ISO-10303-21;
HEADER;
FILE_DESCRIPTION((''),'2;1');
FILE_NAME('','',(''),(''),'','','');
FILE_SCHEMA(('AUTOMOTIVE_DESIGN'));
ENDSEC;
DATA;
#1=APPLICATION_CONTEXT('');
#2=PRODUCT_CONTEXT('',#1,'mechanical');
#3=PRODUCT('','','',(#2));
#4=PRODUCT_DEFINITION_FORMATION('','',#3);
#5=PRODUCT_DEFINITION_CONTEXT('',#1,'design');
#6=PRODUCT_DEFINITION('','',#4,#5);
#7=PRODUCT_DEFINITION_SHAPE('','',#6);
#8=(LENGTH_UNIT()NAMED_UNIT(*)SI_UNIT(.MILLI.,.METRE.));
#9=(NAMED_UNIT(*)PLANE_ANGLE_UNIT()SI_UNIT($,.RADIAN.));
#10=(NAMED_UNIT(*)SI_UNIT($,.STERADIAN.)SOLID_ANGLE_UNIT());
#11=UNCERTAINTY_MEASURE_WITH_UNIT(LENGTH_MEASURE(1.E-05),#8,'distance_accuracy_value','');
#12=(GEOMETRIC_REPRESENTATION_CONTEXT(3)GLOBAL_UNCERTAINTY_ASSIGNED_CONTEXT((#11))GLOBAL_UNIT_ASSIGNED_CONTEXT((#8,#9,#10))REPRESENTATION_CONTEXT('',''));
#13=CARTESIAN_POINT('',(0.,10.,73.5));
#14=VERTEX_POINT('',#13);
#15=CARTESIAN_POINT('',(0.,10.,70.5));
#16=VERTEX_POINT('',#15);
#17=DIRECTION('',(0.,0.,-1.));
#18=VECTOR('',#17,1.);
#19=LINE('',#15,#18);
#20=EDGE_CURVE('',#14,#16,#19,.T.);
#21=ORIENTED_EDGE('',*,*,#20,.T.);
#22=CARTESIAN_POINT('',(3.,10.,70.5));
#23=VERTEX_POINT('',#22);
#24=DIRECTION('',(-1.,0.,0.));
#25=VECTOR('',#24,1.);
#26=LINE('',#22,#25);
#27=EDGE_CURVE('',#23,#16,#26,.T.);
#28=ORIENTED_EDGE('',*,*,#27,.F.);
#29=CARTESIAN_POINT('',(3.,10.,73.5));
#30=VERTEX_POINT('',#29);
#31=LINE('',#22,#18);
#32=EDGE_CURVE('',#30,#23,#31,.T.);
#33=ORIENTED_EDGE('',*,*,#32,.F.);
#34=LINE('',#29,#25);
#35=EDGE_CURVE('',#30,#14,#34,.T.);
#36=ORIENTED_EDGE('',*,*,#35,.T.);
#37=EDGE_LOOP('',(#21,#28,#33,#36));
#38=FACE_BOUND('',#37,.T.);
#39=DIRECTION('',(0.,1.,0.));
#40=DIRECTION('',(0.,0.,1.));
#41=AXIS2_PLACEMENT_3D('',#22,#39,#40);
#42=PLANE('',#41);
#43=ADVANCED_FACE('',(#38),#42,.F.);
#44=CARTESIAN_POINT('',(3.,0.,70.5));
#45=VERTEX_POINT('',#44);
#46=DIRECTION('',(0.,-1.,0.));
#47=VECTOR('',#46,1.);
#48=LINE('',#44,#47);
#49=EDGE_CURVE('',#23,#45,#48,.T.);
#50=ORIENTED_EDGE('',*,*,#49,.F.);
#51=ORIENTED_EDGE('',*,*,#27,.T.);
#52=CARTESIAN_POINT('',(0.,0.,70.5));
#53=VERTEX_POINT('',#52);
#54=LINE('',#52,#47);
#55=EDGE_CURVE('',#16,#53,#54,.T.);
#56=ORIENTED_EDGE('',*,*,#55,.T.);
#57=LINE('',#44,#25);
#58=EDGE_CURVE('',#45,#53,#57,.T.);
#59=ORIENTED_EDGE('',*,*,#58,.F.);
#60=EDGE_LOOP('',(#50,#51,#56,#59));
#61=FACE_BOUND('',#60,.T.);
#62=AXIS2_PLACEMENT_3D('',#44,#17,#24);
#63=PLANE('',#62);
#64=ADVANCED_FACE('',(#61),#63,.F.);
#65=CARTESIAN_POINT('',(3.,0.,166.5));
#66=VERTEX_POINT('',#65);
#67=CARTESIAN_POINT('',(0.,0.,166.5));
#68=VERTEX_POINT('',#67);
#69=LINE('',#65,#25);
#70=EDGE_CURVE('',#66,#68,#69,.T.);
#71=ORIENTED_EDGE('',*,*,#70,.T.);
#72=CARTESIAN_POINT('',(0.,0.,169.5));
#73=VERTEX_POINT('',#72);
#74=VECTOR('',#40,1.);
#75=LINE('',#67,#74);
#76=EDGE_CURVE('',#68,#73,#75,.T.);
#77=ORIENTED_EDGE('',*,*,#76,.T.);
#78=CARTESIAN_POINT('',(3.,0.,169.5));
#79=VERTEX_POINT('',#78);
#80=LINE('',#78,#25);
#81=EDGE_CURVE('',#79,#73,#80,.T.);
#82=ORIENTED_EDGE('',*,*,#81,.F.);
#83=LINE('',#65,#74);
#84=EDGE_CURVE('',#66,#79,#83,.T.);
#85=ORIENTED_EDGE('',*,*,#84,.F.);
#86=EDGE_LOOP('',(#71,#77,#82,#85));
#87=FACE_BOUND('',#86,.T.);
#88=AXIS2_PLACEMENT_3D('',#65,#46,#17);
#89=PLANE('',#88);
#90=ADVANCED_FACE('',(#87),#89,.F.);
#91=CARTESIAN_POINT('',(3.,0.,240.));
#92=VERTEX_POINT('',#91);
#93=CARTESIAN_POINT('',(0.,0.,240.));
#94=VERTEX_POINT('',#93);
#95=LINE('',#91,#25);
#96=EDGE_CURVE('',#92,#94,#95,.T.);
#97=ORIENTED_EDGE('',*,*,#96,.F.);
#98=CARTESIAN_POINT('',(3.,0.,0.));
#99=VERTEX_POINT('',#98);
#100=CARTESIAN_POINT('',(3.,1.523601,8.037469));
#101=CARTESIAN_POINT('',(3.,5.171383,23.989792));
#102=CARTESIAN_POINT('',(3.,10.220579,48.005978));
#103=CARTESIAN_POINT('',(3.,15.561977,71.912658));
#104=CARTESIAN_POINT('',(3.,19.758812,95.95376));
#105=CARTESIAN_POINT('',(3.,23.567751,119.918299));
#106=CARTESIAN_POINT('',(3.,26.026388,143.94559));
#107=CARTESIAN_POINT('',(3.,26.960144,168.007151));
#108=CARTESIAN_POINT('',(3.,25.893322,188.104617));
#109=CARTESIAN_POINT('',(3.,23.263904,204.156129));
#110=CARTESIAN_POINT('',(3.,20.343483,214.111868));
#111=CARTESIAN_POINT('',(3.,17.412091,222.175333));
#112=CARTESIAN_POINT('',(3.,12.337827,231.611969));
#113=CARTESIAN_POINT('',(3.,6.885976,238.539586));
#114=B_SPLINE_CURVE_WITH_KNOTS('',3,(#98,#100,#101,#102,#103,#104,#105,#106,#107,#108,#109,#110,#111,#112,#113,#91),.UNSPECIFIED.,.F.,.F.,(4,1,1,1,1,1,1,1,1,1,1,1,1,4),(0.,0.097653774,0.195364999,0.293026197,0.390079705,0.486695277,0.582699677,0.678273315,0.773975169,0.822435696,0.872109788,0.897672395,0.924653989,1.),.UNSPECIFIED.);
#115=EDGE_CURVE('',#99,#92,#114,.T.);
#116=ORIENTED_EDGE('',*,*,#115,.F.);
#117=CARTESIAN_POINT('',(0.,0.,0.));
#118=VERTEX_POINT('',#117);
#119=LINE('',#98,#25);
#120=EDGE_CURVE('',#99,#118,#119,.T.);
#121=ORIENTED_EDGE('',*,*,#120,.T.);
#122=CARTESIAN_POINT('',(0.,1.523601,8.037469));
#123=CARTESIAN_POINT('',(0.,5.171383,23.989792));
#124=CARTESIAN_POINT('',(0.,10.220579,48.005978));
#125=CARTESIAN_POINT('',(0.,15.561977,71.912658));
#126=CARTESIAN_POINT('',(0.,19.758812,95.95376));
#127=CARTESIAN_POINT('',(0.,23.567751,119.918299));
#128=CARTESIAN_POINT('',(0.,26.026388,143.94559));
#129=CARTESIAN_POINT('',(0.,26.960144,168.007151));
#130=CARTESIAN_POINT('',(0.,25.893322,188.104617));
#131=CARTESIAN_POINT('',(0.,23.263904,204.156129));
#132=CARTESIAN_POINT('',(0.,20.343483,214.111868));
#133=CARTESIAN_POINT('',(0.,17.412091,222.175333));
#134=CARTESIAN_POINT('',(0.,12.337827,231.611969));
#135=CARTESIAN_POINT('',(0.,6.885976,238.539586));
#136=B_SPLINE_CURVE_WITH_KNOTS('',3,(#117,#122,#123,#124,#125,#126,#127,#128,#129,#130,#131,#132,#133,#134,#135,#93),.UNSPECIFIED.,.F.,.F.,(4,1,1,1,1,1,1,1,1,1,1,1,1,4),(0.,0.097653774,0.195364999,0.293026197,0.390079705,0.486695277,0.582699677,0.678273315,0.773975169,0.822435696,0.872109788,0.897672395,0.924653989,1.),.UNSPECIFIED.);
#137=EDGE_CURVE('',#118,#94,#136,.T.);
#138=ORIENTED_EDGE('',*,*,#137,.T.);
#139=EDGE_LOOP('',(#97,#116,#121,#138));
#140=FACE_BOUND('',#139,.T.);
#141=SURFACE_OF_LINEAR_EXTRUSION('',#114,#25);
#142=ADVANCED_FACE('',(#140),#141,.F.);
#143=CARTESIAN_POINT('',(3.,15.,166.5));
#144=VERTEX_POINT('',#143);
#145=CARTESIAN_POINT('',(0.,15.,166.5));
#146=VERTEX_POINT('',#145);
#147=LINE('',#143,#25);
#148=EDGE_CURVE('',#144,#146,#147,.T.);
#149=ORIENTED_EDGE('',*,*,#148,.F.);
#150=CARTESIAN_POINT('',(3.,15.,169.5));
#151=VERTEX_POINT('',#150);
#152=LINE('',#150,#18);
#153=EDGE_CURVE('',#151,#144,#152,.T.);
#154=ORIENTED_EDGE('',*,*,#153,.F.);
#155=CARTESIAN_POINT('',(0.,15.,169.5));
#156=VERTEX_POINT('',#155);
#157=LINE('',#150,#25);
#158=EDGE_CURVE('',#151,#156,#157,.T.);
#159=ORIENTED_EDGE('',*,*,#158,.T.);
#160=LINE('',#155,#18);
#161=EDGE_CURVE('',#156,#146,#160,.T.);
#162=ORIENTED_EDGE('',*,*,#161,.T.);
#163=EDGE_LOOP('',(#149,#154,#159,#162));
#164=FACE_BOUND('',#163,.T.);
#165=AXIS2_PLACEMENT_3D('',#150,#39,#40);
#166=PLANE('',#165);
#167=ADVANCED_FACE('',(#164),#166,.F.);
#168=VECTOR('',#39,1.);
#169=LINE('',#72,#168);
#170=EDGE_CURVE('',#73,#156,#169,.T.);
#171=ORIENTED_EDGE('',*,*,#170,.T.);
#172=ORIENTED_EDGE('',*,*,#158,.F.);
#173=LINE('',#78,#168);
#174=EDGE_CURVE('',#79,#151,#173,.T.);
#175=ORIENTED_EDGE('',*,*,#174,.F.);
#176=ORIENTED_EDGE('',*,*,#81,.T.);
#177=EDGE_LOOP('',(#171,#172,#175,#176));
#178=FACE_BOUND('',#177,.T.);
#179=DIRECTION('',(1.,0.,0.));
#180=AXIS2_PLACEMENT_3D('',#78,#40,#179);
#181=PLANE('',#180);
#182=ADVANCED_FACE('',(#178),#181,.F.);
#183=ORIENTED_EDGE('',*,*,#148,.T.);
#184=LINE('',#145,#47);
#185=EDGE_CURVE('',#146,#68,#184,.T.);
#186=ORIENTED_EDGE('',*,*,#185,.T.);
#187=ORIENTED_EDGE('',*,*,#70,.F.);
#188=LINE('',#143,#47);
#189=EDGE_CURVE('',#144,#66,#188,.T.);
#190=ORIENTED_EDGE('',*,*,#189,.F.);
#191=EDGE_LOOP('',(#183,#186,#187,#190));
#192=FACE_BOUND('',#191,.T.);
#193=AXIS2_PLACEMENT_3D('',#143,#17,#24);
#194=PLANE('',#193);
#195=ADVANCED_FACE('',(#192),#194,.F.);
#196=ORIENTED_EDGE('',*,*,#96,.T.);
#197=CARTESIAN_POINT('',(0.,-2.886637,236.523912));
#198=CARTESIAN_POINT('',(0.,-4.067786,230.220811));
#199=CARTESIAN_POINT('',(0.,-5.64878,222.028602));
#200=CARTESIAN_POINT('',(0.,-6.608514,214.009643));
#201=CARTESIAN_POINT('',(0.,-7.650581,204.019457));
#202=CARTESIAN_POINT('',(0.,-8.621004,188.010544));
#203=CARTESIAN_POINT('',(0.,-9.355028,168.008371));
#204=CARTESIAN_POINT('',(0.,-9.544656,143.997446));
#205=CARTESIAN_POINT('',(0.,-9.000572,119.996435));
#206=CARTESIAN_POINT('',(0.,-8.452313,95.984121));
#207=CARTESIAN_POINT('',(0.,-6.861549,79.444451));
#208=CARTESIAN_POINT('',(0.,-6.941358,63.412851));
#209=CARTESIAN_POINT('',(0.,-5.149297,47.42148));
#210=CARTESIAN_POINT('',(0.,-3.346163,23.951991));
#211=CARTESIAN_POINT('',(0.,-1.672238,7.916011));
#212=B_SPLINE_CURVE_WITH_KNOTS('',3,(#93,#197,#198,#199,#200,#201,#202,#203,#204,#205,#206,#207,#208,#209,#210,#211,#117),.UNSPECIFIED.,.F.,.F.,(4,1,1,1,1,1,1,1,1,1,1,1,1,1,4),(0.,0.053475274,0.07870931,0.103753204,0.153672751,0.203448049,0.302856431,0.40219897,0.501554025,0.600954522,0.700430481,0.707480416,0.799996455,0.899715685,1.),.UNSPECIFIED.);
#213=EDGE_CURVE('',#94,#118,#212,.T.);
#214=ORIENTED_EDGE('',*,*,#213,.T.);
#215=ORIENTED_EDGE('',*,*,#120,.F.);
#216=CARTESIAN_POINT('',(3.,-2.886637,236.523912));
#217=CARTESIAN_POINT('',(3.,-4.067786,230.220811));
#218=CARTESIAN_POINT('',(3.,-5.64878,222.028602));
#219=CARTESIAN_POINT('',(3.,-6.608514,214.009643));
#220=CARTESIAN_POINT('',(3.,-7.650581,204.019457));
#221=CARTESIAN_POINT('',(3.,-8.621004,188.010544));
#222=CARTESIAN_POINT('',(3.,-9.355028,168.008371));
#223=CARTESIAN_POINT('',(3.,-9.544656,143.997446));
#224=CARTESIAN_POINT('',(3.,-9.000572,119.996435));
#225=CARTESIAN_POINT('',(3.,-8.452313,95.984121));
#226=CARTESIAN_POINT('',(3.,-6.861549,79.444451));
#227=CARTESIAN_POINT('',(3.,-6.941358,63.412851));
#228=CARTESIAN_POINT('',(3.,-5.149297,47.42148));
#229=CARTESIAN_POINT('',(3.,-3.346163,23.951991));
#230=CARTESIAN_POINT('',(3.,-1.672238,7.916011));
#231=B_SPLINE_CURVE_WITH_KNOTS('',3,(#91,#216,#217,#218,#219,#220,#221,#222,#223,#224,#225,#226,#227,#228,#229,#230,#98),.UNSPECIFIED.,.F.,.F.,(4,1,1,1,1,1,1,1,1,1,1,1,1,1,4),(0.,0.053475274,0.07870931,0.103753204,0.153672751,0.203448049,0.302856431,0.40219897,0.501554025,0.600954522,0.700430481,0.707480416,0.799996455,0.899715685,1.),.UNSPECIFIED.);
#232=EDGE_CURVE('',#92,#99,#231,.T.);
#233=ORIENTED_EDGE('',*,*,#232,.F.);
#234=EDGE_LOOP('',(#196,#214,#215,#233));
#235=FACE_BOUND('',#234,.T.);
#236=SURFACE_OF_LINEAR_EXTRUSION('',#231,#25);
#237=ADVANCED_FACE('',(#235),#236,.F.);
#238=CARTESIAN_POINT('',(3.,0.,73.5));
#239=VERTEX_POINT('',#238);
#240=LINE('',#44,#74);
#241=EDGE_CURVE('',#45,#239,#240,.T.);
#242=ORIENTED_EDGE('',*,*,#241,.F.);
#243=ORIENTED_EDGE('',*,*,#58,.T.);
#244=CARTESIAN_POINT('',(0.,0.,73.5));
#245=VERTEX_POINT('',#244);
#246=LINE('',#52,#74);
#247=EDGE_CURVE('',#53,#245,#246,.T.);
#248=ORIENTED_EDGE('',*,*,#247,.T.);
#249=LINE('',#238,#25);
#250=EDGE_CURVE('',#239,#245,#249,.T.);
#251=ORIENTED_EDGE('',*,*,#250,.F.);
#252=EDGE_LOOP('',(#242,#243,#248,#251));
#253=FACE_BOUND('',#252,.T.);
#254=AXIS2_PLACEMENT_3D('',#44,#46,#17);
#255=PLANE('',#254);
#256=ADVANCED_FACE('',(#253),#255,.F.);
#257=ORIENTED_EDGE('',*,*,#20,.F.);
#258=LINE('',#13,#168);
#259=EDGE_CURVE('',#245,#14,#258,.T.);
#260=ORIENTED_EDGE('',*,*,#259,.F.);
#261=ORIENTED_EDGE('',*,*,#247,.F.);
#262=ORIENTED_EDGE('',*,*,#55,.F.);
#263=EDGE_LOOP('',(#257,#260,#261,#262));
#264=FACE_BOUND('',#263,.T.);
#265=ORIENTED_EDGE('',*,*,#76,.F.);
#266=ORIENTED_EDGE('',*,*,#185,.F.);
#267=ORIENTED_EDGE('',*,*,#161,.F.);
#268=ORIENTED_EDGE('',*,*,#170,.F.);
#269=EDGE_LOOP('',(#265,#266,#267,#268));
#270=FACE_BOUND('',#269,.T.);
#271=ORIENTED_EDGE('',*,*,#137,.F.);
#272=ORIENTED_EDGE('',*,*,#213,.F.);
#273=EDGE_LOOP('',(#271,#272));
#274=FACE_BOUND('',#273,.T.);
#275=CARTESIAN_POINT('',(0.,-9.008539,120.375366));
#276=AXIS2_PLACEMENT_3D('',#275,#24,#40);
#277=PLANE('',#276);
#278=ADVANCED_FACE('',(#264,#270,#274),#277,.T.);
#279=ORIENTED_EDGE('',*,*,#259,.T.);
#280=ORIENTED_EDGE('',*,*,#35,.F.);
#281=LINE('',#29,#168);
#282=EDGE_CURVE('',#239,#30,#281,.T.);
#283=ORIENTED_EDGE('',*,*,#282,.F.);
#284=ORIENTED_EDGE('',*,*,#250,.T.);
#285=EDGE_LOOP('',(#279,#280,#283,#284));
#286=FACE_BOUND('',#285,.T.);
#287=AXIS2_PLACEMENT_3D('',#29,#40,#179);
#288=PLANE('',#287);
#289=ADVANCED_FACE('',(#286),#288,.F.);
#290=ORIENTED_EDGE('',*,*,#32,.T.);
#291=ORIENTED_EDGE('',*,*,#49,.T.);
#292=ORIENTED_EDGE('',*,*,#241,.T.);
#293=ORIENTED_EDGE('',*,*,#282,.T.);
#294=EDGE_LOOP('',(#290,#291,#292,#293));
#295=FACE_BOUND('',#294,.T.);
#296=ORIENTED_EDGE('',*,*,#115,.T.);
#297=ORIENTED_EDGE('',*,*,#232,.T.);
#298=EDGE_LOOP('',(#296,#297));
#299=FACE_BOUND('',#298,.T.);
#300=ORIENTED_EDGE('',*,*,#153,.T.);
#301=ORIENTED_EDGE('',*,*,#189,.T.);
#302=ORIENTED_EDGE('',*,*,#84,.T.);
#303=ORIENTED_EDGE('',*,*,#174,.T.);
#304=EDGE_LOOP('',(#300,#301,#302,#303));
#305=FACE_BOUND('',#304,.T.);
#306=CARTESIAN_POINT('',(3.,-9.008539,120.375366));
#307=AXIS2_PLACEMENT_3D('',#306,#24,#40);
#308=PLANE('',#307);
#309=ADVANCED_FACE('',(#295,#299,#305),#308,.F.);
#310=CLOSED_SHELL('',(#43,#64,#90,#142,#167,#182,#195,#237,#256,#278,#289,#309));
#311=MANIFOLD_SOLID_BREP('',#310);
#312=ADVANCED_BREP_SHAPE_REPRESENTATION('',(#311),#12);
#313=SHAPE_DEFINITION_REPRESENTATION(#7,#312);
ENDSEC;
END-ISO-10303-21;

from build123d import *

# Parameters (mm, degrees)
EXTRUDE_1_DEPTH     = 3
SKETCH_2_W          = 3
SKETCH_2_H          = 15
SKETCH_2_H_2        = 10
CUT_EXTRUDE_1_DEPTH = 3


with BuildPart() as part:
    # Эскиз1 → Бобышка-Вытянуть1 (new body)
    with BuildSketch(Plane(origin=(0, 0, 0), x_dir=(0, 0, -1), z_dir=(1, 0, 0))):
        with BuildLine():
            add(Edge.make_bspline(
                [(-240, 0), (-238.539586148, 6.885975956), (-231.6119689, 12.33782744), (-222.175332595, 17.412091216), (-214.111867769, 20.343482826), (-204.156129061, 23.263904239), (-188.104616678, 25.89332168), (-168.007150597, 26.960143982), (-143.945589986, 26.026388226), (-119.918298994, 23.567750867), (-95.953760008, 19.758812003), (-71.912657951, 15.561977026), (-48.005978392, 10.220578603), (-23.989791717, 5.171383231), (-8.037469261, 1.523600682), (0, 0)],
                knots=[0, 0, 0, 0, 0.075346011, 0.102327605, 0.127890212, 0.177564304, 0.226024831, 0.321726685, 0.417300323, 0.513304723, 0.609920295, 0.706973803, 0.804635001, 0.902346226, 1, 1, 1, 1], degree=3))
            add(Edge.make_bspline(
                [(-240, 0), (-236.52391179, -2.886637123), (-230.220810861, -4.067786061), (-222.028601874, -5.648779907), (-214.009642515, -6.608514015), (-204.019456847, -7.65058139), (-188.010543644, -8.621004369), (-168.008371033, -9.355028053), (-143.997445941, -9.544655848), (-119.996434598, -9.000571646), (-95.984120714, -8.452313319), (-79.444451482, -6.861549256), (-63.412851028, -6.941357818), (-47.421480018, -5.149296578), (-23.951991061, -3.34616289), (-7.916011456, -1.672238148), (0, 0)],
                knots=[0, 0, 0, 0, 0.053475274, 0.07870931, 0.103753204, 0.153672751, 0.203448049, 0.302856431, 0.40219897, 0.501554025, 0.600954522, 0.700430481, 0.707480416, 0.799996455, 0.899715685, 1, 1, 1, 1], degree=3))
        make_face()
    extrude(amount=EXTRUDE_1_DEPTH)

    # Эскиз2 → Вырез-Вытянуть1 (cut)
    with BuildSketch(Plane.ZY):
        with Locations((168, 7.5)):
            Rectangle(SKETCH_2_W, SKETCH_2_H)
        with Locations((72, 5)):
            Rectangle(SKETCH_2_W, SKETCH_2_H_2)
    extrude(amount=-CUT_EXTRUDE_1_DEPTH, mode=Mode.SUBTRACT)


solid = part.part
